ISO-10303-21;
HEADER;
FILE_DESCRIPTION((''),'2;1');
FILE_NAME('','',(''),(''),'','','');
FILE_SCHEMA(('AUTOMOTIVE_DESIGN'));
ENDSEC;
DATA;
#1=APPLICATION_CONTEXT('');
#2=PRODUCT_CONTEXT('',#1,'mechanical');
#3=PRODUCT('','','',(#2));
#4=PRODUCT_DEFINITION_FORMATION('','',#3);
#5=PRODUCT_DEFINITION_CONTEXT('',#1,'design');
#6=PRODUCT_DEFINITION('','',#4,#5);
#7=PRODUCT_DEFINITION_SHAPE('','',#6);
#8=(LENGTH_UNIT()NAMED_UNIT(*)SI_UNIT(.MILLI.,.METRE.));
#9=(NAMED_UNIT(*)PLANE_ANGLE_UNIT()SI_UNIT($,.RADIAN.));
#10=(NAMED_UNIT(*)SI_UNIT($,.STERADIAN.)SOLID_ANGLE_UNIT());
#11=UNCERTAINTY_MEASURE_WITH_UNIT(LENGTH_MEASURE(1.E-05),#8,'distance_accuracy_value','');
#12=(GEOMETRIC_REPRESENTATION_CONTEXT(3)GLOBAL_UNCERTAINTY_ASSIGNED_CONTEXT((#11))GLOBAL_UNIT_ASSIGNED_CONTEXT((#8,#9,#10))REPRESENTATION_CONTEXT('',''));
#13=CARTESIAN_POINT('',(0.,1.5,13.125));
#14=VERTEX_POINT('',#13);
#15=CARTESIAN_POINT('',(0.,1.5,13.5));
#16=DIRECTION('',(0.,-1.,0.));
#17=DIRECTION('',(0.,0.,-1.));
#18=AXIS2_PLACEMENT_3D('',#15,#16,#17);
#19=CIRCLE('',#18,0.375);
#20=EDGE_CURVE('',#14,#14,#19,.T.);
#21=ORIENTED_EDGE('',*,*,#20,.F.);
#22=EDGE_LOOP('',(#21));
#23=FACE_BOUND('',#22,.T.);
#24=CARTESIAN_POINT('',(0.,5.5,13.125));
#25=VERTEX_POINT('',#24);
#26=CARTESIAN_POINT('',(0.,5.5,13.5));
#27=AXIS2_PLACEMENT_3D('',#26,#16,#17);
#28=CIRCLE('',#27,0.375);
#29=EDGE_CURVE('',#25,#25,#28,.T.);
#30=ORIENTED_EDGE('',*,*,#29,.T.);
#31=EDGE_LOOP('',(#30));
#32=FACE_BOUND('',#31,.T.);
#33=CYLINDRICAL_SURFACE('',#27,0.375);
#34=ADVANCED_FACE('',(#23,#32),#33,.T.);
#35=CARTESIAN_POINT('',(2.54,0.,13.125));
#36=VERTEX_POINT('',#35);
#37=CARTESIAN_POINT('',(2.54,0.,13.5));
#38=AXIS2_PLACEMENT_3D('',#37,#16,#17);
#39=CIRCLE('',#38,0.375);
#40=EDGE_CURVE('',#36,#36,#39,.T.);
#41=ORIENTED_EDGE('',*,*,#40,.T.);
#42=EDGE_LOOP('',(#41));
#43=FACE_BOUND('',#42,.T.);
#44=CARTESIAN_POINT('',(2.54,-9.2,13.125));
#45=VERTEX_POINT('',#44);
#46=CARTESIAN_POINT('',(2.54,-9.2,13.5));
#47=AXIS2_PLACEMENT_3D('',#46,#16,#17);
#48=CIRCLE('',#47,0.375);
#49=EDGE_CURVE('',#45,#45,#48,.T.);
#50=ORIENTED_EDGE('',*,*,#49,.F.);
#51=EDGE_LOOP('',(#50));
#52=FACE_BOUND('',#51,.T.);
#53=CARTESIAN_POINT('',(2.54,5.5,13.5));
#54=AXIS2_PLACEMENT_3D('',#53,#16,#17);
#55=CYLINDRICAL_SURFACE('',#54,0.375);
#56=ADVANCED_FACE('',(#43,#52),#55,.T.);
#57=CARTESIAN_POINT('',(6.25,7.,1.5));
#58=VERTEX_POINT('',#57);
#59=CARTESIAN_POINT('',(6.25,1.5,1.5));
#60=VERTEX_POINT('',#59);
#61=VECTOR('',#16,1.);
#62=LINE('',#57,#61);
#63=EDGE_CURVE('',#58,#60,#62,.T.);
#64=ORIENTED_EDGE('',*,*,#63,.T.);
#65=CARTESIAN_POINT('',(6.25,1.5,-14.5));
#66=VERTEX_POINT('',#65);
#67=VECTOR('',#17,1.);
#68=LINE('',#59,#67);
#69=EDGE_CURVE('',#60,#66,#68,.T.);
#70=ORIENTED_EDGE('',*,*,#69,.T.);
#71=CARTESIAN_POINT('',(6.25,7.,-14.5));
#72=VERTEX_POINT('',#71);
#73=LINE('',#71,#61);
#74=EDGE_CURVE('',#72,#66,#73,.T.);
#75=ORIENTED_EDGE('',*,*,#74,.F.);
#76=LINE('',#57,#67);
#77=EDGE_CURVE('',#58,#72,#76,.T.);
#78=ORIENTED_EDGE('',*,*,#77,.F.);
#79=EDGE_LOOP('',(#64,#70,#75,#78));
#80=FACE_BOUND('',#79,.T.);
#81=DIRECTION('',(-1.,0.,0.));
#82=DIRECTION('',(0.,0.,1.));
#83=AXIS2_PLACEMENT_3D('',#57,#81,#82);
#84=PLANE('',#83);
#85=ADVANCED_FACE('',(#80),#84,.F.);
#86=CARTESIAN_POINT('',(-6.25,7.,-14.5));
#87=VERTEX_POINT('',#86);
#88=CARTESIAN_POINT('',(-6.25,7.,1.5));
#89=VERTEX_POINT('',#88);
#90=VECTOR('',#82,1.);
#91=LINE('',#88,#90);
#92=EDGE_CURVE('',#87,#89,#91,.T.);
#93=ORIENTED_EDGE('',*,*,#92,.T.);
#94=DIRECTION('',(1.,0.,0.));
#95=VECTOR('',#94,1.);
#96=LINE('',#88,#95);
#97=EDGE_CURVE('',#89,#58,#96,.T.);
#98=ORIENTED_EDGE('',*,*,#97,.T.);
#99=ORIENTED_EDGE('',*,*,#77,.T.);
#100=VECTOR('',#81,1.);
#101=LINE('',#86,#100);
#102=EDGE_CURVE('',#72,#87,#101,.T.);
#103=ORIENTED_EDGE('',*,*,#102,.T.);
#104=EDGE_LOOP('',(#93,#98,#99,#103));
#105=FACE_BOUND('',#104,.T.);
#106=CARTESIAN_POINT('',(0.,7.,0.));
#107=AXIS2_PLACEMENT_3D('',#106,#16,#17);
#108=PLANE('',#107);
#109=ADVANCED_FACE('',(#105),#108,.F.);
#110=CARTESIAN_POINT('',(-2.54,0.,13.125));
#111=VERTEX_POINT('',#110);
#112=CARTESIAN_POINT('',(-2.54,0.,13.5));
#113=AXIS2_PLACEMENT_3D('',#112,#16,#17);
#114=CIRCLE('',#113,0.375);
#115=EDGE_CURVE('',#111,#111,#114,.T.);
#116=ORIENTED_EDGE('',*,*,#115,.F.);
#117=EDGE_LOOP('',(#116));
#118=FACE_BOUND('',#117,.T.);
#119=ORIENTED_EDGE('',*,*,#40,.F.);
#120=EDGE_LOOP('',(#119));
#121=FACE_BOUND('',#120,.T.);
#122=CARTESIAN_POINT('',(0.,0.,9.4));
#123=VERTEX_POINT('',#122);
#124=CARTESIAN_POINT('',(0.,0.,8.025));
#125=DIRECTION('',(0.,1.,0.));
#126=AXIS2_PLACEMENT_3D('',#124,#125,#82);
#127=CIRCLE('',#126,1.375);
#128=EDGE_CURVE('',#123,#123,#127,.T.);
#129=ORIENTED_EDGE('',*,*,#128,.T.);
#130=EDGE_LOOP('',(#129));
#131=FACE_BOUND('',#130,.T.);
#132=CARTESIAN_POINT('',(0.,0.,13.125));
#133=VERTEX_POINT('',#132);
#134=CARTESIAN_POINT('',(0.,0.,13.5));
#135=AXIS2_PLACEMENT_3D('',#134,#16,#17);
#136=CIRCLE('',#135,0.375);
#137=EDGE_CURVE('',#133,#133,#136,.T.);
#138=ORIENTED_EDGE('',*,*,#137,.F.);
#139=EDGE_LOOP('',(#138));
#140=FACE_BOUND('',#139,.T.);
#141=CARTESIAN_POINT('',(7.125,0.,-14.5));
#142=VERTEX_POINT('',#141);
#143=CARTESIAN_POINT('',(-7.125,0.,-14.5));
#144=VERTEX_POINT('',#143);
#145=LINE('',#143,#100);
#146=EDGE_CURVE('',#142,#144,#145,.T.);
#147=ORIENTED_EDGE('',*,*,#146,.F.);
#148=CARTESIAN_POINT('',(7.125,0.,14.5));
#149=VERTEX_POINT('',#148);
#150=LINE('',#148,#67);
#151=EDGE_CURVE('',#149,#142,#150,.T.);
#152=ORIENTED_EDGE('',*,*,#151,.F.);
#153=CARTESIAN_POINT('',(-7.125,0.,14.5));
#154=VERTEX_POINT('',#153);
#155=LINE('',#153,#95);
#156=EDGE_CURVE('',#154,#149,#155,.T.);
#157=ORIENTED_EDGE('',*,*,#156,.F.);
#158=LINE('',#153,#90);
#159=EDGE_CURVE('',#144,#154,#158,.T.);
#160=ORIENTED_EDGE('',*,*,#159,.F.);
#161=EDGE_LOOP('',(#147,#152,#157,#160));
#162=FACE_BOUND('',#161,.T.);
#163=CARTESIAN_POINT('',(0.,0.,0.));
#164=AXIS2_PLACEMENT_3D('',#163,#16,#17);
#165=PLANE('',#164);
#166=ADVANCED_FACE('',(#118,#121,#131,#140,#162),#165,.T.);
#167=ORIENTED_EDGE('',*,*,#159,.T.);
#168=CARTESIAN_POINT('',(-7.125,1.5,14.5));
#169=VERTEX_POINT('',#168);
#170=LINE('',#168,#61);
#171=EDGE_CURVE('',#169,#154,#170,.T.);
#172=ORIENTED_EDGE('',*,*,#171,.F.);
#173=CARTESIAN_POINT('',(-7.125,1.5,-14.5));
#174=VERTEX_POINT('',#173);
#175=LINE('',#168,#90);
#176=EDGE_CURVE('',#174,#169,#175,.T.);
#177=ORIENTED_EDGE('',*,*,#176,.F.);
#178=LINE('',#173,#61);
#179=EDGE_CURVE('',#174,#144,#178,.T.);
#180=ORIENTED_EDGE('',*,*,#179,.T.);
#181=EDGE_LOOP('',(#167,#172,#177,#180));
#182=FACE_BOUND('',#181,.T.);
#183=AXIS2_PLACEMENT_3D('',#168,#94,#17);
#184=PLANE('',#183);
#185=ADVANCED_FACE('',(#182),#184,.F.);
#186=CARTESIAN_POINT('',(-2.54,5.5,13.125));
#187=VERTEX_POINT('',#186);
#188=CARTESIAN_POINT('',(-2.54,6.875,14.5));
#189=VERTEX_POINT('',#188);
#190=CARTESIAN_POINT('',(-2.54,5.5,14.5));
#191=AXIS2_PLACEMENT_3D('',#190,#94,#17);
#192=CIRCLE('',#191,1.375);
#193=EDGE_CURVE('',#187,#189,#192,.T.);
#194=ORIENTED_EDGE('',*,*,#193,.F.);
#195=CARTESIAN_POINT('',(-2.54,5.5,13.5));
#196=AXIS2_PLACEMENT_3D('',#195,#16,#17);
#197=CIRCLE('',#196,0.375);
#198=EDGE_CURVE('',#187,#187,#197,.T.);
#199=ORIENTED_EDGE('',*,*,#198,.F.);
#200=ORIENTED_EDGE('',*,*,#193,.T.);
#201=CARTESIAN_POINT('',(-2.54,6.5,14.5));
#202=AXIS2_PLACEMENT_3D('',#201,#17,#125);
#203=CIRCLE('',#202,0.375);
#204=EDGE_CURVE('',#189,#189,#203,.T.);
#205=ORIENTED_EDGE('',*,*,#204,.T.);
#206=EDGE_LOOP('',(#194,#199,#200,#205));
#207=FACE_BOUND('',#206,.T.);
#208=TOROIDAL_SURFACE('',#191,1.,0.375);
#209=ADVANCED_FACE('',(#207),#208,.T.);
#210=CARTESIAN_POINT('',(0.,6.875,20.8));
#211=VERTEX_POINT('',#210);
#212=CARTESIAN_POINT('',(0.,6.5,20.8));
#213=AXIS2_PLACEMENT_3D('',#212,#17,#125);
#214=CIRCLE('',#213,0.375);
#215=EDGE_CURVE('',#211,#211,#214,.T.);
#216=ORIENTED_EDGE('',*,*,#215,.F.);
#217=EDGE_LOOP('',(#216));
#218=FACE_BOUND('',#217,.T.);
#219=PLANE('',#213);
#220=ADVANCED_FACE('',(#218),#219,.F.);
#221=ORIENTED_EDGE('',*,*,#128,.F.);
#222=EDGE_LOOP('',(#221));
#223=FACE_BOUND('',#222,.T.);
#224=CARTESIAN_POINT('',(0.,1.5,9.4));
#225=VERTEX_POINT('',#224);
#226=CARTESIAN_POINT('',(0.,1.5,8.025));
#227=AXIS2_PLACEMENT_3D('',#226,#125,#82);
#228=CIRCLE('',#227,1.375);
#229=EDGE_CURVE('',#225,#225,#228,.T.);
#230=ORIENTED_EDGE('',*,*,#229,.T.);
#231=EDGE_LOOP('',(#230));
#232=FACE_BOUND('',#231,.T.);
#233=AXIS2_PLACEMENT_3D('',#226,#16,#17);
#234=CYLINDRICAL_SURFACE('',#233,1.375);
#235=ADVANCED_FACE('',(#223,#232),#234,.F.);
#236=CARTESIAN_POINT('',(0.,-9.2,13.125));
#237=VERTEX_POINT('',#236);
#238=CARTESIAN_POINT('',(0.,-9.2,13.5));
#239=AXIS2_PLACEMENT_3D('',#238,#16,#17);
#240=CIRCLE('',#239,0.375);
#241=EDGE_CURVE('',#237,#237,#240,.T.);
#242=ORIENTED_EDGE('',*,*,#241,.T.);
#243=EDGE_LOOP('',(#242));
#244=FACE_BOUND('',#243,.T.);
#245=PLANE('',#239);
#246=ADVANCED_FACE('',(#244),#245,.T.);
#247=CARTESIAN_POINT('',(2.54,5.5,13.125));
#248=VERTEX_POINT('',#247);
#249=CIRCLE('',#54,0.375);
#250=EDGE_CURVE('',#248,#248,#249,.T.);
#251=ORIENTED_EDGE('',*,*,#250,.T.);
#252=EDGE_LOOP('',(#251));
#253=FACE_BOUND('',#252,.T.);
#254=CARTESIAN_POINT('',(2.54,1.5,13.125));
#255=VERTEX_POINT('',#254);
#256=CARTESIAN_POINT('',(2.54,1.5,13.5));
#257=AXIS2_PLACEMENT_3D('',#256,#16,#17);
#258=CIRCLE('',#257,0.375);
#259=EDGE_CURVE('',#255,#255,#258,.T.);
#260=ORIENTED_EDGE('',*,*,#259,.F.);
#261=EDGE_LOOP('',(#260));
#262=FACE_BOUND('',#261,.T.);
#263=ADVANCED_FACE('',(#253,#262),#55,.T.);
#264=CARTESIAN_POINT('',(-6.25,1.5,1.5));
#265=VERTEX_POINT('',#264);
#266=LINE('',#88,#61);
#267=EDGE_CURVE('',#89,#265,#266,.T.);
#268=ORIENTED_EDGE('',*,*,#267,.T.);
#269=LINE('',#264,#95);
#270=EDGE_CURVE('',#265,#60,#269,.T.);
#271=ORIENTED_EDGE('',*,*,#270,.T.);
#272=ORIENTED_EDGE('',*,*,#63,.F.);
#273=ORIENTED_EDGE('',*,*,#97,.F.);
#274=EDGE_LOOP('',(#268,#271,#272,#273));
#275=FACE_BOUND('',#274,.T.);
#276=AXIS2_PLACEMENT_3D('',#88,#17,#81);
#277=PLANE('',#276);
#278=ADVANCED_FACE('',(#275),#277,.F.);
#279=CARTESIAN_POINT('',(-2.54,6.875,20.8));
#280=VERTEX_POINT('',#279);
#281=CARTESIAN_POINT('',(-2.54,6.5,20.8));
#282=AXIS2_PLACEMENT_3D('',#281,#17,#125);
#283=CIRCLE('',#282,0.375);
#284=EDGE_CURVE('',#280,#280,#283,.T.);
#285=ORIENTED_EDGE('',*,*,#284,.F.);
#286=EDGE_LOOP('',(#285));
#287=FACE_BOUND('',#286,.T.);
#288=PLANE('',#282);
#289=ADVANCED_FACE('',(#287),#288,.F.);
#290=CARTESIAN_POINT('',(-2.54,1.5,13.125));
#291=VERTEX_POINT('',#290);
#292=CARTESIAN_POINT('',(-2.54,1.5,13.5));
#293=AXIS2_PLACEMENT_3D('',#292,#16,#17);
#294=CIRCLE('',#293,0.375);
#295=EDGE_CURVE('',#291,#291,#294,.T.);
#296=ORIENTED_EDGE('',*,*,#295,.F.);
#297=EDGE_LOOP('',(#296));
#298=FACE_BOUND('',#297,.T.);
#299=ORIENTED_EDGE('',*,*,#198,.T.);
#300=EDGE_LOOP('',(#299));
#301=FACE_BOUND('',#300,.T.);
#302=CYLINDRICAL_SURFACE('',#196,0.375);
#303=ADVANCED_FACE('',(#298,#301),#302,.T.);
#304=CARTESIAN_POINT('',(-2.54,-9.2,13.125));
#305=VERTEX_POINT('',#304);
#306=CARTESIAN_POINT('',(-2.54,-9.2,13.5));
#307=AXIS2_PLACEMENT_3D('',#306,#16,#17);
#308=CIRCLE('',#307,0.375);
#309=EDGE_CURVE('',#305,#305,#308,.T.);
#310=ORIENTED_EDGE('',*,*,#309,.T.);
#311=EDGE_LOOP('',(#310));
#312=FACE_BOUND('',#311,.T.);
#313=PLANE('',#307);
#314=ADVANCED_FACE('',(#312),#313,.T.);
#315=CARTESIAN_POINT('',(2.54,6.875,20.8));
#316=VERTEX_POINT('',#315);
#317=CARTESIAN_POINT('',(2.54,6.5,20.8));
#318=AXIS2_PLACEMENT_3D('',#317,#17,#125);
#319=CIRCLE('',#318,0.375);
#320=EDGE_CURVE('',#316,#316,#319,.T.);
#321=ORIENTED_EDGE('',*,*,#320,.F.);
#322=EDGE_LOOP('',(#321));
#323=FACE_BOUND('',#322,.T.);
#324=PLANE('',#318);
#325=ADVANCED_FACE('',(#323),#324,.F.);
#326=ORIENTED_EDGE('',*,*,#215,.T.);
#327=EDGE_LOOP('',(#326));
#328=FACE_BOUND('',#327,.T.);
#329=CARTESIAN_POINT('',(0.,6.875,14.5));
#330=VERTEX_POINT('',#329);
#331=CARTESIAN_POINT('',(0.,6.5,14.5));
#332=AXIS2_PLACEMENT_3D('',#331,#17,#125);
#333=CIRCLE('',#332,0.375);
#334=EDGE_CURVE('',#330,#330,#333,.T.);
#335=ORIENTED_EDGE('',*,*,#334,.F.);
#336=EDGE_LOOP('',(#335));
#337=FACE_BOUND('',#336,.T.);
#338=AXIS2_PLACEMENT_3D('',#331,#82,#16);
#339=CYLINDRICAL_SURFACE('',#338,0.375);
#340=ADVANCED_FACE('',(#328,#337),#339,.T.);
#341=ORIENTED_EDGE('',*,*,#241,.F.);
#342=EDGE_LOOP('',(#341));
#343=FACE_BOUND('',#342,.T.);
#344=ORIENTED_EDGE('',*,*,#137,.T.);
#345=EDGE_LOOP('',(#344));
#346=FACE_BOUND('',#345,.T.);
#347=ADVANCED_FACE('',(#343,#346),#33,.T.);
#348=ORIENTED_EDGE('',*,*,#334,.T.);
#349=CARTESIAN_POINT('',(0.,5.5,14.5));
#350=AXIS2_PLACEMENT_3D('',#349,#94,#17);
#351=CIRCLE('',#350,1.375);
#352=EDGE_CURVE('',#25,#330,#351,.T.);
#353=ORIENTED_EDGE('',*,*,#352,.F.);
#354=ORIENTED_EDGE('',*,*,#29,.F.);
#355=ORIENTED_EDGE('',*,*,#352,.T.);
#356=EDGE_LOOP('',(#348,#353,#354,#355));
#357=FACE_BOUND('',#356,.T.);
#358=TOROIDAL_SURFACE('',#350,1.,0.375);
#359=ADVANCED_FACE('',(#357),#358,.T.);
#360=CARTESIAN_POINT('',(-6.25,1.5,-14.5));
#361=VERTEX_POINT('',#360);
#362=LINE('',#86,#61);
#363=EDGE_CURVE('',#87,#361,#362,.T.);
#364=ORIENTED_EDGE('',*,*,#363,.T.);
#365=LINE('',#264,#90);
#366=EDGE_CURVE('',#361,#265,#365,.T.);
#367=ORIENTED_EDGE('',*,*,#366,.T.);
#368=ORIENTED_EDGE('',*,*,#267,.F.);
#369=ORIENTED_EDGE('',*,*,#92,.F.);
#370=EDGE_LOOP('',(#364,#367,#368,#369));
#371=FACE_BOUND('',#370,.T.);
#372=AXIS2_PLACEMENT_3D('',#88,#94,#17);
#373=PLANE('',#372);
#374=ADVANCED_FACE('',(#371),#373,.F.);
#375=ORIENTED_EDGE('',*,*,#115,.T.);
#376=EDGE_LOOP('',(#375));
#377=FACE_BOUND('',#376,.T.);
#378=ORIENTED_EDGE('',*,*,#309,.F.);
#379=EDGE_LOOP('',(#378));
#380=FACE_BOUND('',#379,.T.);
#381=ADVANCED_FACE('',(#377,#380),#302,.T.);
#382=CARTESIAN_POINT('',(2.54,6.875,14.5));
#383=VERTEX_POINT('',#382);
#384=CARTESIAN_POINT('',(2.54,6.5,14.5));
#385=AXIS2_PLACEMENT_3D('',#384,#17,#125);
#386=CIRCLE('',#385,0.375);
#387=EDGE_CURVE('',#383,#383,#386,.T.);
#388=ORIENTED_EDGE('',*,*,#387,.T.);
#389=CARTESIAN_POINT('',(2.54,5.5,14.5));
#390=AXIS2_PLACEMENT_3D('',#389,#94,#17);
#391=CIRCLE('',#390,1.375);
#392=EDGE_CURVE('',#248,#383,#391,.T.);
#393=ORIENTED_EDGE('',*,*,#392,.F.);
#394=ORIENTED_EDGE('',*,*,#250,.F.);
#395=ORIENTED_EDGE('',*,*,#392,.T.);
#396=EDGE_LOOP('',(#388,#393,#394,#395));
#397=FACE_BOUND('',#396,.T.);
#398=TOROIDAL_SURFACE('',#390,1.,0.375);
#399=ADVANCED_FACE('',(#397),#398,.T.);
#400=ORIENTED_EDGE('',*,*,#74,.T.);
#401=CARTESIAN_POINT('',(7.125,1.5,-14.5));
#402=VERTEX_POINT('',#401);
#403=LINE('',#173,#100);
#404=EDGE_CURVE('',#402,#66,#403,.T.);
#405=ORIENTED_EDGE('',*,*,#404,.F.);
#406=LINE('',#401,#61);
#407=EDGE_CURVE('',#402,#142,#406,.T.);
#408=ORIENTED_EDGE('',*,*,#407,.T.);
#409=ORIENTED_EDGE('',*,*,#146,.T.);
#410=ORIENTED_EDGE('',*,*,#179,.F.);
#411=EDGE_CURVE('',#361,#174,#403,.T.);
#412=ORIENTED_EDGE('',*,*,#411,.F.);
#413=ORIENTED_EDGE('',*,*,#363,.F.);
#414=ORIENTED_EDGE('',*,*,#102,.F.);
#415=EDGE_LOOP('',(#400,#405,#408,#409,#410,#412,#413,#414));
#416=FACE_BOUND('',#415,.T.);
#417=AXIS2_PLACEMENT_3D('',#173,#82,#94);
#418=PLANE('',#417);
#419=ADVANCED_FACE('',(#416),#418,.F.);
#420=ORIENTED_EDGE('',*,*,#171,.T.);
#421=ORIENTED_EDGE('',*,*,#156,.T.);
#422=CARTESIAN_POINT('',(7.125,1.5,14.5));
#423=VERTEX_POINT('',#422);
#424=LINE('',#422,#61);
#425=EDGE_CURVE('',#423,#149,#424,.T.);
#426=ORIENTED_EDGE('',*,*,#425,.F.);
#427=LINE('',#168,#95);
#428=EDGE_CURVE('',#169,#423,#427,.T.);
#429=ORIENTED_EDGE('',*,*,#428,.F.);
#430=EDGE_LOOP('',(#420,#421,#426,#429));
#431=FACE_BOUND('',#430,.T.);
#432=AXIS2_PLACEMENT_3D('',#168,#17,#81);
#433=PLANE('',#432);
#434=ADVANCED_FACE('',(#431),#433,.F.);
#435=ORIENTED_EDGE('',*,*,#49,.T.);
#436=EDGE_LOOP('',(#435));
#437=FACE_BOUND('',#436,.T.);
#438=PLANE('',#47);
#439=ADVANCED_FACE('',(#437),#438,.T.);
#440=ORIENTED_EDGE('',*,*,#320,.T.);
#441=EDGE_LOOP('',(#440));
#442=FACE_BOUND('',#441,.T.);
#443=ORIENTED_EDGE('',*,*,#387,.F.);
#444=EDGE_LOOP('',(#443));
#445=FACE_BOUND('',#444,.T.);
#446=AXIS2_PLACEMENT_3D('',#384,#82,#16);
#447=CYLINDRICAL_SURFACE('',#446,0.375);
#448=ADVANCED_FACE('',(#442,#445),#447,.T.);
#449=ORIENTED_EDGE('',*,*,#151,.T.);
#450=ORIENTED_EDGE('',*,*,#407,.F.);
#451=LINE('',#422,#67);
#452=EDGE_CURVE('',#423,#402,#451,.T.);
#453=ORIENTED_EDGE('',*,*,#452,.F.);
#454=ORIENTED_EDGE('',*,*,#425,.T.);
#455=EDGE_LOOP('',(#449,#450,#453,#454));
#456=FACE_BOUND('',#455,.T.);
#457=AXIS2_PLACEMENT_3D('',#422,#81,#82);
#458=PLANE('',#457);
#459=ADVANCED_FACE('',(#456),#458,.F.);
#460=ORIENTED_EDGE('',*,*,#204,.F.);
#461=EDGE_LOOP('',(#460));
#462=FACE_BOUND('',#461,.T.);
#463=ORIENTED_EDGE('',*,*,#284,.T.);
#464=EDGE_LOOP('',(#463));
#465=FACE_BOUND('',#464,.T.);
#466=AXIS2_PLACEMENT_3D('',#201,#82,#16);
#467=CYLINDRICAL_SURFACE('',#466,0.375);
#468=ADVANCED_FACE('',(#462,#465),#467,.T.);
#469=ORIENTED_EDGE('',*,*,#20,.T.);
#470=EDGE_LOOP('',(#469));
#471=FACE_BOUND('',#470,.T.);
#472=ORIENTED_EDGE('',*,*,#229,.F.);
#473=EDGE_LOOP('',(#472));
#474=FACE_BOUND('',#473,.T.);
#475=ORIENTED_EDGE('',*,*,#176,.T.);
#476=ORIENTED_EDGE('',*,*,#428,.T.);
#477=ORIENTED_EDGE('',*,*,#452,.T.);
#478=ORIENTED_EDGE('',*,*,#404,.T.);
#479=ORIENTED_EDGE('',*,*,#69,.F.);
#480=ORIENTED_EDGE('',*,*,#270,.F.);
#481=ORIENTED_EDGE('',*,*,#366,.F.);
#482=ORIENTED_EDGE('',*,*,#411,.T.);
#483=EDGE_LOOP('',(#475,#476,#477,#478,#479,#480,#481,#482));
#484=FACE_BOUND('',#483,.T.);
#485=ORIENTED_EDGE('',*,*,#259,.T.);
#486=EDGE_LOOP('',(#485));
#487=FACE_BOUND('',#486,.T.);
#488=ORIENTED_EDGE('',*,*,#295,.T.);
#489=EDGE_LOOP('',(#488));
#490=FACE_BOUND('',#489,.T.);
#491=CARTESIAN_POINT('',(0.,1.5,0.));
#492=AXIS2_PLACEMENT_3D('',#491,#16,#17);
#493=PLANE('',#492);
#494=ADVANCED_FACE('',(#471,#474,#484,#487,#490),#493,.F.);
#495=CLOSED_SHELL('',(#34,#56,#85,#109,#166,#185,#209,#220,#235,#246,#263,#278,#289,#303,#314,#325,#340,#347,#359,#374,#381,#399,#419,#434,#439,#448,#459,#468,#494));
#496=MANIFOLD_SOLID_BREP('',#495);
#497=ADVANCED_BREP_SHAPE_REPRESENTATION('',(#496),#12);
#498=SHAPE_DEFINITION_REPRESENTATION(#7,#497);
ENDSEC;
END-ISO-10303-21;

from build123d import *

# Parameters (mm, degrees)
SKETCH1_W           = 14.25
SKETCH1_H           = 29
SKETCH1_R           = 1.375
BOSS_EXTRUDE1_DEPTH = 1.5
SKETCH2_W           = 12.5
SKETCH2_H           = 16
BOSS_EXTRUDE2_DEPTH = 5.5
SKETCH4_R           = 0.375
LPATTERN1_COUNT     = 2
LPATTERN1_PITCH     = 2.54
LPATTERN1_COL_COUNT = 2
LPATTERN1_COL_PITCH = 2.54
MOVE_FACE1_BY       = 8.2
MOVE_FACE1_2_BY     = 8.2
MOVE_FACE1_3_BY     = 8.2


with BuildPart() as part:
    # Sketch1 → Boss-Extrude1 (new body)
    with BuildSketch(Plane(origin=(0, 0, 0), x_dir=(1, 0, 0), z_dir=(0, 1, 0))):
        Rectangle(SKETCH1_W, SKETCH1_H)
        with Locations(Location((0, -8.025, 0), (0, 0, 270))):
            Circle(SKETCH1_R, mode=Mode.SUBTRACT)
    extrude(amount=BOSS_EXTRUDE1_DEPTH)

    # Sketch2 → Boss-Extrude2 (add)
    with BuildSketch(Plane(origin=(0, 1.5, 0), x_dir=(1, 0, 0), z_dir=(0, 1, 0))):
        with Locations((0, 6.5)):
            Rectangle(SKETCH2_W, SKETCH2_H)
    extrude(amount=BOSS_EXTRUDE2_DEPTH)

    # Sweep1: sweep along a path in Sketch3
    with BuildLine(Plane.ZY) as sweep1_path:
        Line((13.5, -1), (13.5, 5.5))
        ThreePointArc((13.5, 5.5), (13.792893219, 6.207106781), (14.5, 6.5))
        Line((14.5, 6.5), (20.8, 6.5))
    # Sketch4 → Sweep1 (sweep)
    with BuildSketch(Plane(origin=(0, -1, 0), x_dir=(-1, 0, 0), z_dir=(0, -1, 0))):
        with Locations((0, -13.5)):
            Circle(SKETCH4_R)
    sweep1 = sweep(path=sweep1_path.line)

    # LPattern1: Sweep1 ×2
    with Locations(*[(-i * LPATTERN1_PITCH, 0, 0) for i in range(1, LPATTERN1_COUNT)]):
        add(sweep1)

    # LPattern1 col: Sweep1 ×2
    with Locations(*[(i * LPATTERN1_COL_PITCH, 0, 0) for i in range(1, LPATTERN1_COL_COUNT)]):
        add(sweep1)

    # Move Face1: a face moved outward by 8.2
    extrude(part.faces().sort_by_distance((2.54, -1, 13.5))[0], amount=MOVE_FACE1_BY, dir=(0, -1, 0))

    # Move Face1 2: a face moved outward by 8.2
    extrude(part.faces().sort_by_distance((0, -1, 13.5))[0], amount=MOVE_FACE1_2_BY, dir=(0, -1, 0))

    # Move Face1 3: a face moved outward by 8.2
    extrude(part.faces().sort_by_distance((-2.54, -1, 13.5))[0], amount=MOVE_FACE1_3_BY, dir=(0, -1, 0))


solid = part.part
